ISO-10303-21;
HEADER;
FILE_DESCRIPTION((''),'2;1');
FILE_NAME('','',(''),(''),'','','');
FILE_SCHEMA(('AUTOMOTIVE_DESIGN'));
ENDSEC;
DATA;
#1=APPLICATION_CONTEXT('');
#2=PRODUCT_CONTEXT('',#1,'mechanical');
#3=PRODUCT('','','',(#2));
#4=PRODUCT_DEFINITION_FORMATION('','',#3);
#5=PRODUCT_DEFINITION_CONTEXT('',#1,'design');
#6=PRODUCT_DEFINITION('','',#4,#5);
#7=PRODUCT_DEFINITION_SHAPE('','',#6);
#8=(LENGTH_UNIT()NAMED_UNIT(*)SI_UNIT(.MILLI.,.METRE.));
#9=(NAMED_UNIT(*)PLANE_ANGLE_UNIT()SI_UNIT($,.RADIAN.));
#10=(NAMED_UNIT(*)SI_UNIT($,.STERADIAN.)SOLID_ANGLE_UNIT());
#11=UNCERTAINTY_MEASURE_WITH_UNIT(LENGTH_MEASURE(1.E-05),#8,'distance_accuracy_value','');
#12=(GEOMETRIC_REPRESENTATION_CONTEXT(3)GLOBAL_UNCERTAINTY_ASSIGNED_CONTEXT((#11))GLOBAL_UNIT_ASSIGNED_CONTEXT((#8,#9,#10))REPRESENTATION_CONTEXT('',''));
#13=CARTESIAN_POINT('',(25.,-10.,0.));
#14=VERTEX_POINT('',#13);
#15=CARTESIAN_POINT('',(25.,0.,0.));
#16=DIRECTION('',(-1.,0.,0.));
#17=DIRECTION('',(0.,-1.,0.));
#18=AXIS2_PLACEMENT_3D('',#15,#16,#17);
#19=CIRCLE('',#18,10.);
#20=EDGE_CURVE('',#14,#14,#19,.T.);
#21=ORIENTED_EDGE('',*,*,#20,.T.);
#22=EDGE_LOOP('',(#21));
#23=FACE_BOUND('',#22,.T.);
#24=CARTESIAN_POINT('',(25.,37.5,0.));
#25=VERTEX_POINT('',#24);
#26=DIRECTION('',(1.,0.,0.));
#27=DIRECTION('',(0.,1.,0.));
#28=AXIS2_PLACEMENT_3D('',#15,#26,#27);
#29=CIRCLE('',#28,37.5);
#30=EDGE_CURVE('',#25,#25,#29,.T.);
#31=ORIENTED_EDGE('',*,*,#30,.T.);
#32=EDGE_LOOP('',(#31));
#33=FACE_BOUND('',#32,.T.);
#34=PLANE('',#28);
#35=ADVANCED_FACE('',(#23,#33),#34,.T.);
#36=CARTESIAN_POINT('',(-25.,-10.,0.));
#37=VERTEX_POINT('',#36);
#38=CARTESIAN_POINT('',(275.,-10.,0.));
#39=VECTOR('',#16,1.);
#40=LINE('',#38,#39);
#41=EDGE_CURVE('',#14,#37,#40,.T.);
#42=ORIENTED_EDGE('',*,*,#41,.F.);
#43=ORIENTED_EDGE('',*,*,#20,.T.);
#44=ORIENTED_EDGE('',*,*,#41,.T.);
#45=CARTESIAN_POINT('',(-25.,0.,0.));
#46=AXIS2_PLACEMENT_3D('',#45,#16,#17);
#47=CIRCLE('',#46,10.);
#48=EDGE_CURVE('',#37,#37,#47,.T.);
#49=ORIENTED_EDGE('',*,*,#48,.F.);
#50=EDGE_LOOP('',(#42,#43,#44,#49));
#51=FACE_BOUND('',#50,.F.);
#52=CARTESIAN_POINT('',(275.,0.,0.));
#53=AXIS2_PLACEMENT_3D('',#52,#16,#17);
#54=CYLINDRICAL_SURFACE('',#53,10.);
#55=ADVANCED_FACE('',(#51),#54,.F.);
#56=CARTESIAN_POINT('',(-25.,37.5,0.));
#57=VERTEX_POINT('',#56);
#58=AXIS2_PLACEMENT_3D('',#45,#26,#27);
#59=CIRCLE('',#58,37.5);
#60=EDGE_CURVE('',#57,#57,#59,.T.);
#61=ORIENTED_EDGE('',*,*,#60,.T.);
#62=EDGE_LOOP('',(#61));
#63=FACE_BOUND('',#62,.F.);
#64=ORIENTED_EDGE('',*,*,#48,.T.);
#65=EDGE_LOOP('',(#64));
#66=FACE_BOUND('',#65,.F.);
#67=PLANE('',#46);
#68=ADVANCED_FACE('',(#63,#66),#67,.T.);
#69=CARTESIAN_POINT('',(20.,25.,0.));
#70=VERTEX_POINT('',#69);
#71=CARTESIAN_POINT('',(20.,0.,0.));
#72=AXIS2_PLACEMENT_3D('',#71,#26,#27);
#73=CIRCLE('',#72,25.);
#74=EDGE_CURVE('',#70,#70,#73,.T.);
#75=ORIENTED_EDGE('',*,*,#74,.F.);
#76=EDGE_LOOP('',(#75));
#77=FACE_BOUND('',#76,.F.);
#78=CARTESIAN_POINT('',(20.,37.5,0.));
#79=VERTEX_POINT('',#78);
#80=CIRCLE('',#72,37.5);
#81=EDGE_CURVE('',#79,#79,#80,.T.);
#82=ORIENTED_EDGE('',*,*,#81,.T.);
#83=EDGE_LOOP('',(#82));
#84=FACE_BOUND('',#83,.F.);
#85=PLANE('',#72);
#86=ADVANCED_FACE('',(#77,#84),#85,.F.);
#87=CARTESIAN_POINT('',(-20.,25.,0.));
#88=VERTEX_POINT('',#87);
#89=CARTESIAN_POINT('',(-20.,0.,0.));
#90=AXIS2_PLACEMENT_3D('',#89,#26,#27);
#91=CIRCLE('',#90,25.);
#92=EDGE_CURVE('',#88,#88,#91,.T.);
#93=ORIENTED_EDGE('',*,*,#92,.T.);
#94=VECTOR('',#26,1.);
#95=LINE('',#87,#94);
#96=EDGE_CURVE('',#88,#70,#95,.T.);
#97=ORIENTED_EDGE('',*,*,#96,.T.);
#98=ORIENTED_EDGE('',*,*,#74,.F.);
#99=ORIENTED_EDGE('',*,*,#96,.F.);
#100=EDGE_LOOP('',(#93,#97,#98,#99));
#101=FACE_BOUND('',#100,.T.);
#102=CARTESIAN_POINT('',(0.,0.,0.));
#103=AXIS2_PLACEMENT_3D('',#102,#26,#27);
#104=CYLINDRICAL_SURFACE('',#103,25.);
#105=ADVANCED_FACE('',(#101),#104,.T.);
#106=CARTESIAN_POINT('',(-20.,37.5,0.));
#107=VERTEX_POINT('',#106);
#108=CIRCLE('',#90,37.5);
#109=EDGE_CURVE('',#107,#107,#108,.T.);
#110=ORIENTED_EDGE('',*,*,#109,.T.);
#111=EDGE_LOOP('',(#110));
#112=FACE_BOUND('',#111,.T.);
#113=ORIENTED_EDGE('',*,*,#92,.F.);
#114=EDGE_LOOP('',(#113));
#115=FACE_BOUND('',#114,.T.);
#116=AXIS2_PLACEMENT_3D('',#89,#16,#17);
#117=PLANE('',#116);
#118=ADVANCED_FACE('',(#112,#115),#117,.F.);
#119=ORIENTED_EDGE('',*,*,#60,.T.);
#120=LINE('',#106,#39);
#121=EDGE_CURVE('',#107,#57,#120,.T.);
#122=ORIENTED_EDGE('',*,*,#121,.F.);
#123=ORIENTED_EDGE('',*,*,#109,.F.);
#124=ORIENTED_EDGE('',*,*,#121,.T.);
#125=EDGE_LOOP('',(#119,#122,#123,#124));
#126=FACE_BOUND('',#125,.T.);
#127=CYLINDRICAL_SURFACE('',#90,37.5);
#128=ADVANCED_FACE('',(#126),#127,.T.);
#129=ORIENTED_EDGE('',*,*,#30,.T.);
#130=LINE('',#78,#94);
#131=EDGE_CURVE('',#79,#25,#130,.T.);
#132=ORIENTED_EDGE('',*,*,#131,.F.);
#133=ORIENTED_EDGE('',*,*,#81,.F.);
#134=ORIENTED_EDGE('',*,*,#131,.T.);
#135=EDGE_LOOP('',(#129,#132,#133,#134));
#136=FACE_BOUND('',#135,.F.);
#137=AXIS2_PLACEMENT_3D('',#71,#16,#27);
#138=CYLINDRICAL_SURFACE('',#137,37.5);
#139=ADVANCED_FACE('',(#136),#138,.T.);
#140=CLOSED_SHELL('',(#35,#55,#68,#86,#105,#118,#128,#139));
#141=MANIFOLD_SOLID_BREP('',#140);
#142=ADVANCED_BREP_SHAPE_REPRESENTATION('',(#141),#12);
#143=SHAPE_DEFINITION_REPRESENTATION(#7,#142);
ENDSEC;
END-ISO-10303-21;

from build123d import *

# Parameters (mm, degrees)
F0_R     = 25
F1_DEPTH = 20
F2_R     = 37.5
F2_R_2   = 25
F3_DEPTH = 5
F6_D     = 20
F6_DEPTH = 250


with BuildPart() as f1:
    # F0 (on Right) → F1 (new body)
    with BuildSketch(Plane.YZ):
        Circle(F0_R)
    extrude(amount=F1_DEPTH)

    # F2 (on face) → F3 (join)
    with BuildSketch(Plane.YZ.offset(20)):
        Circle(F2_R)
        Circle(F2_R_2, mode=Mode.SUBTRACT)
        Circle(F2_R_2)
    extrude(amount=F3_DEPTH)

    # F4: F1 across face


with BuildPart() as f1_1:
    add(f1.part)
    add(f1.part.mirror(Plane(origin=(0, 0, 0), x_dir=(0, 1, 0), z_dir=(-1, 0, 0))))

    # F6
    with Locations(Plane.YZ.offset(25)):
        with Locations((0, 0)):
            Hole(F6_D / 2, depth=F6_DEPTH)


solid = f1_1.part
